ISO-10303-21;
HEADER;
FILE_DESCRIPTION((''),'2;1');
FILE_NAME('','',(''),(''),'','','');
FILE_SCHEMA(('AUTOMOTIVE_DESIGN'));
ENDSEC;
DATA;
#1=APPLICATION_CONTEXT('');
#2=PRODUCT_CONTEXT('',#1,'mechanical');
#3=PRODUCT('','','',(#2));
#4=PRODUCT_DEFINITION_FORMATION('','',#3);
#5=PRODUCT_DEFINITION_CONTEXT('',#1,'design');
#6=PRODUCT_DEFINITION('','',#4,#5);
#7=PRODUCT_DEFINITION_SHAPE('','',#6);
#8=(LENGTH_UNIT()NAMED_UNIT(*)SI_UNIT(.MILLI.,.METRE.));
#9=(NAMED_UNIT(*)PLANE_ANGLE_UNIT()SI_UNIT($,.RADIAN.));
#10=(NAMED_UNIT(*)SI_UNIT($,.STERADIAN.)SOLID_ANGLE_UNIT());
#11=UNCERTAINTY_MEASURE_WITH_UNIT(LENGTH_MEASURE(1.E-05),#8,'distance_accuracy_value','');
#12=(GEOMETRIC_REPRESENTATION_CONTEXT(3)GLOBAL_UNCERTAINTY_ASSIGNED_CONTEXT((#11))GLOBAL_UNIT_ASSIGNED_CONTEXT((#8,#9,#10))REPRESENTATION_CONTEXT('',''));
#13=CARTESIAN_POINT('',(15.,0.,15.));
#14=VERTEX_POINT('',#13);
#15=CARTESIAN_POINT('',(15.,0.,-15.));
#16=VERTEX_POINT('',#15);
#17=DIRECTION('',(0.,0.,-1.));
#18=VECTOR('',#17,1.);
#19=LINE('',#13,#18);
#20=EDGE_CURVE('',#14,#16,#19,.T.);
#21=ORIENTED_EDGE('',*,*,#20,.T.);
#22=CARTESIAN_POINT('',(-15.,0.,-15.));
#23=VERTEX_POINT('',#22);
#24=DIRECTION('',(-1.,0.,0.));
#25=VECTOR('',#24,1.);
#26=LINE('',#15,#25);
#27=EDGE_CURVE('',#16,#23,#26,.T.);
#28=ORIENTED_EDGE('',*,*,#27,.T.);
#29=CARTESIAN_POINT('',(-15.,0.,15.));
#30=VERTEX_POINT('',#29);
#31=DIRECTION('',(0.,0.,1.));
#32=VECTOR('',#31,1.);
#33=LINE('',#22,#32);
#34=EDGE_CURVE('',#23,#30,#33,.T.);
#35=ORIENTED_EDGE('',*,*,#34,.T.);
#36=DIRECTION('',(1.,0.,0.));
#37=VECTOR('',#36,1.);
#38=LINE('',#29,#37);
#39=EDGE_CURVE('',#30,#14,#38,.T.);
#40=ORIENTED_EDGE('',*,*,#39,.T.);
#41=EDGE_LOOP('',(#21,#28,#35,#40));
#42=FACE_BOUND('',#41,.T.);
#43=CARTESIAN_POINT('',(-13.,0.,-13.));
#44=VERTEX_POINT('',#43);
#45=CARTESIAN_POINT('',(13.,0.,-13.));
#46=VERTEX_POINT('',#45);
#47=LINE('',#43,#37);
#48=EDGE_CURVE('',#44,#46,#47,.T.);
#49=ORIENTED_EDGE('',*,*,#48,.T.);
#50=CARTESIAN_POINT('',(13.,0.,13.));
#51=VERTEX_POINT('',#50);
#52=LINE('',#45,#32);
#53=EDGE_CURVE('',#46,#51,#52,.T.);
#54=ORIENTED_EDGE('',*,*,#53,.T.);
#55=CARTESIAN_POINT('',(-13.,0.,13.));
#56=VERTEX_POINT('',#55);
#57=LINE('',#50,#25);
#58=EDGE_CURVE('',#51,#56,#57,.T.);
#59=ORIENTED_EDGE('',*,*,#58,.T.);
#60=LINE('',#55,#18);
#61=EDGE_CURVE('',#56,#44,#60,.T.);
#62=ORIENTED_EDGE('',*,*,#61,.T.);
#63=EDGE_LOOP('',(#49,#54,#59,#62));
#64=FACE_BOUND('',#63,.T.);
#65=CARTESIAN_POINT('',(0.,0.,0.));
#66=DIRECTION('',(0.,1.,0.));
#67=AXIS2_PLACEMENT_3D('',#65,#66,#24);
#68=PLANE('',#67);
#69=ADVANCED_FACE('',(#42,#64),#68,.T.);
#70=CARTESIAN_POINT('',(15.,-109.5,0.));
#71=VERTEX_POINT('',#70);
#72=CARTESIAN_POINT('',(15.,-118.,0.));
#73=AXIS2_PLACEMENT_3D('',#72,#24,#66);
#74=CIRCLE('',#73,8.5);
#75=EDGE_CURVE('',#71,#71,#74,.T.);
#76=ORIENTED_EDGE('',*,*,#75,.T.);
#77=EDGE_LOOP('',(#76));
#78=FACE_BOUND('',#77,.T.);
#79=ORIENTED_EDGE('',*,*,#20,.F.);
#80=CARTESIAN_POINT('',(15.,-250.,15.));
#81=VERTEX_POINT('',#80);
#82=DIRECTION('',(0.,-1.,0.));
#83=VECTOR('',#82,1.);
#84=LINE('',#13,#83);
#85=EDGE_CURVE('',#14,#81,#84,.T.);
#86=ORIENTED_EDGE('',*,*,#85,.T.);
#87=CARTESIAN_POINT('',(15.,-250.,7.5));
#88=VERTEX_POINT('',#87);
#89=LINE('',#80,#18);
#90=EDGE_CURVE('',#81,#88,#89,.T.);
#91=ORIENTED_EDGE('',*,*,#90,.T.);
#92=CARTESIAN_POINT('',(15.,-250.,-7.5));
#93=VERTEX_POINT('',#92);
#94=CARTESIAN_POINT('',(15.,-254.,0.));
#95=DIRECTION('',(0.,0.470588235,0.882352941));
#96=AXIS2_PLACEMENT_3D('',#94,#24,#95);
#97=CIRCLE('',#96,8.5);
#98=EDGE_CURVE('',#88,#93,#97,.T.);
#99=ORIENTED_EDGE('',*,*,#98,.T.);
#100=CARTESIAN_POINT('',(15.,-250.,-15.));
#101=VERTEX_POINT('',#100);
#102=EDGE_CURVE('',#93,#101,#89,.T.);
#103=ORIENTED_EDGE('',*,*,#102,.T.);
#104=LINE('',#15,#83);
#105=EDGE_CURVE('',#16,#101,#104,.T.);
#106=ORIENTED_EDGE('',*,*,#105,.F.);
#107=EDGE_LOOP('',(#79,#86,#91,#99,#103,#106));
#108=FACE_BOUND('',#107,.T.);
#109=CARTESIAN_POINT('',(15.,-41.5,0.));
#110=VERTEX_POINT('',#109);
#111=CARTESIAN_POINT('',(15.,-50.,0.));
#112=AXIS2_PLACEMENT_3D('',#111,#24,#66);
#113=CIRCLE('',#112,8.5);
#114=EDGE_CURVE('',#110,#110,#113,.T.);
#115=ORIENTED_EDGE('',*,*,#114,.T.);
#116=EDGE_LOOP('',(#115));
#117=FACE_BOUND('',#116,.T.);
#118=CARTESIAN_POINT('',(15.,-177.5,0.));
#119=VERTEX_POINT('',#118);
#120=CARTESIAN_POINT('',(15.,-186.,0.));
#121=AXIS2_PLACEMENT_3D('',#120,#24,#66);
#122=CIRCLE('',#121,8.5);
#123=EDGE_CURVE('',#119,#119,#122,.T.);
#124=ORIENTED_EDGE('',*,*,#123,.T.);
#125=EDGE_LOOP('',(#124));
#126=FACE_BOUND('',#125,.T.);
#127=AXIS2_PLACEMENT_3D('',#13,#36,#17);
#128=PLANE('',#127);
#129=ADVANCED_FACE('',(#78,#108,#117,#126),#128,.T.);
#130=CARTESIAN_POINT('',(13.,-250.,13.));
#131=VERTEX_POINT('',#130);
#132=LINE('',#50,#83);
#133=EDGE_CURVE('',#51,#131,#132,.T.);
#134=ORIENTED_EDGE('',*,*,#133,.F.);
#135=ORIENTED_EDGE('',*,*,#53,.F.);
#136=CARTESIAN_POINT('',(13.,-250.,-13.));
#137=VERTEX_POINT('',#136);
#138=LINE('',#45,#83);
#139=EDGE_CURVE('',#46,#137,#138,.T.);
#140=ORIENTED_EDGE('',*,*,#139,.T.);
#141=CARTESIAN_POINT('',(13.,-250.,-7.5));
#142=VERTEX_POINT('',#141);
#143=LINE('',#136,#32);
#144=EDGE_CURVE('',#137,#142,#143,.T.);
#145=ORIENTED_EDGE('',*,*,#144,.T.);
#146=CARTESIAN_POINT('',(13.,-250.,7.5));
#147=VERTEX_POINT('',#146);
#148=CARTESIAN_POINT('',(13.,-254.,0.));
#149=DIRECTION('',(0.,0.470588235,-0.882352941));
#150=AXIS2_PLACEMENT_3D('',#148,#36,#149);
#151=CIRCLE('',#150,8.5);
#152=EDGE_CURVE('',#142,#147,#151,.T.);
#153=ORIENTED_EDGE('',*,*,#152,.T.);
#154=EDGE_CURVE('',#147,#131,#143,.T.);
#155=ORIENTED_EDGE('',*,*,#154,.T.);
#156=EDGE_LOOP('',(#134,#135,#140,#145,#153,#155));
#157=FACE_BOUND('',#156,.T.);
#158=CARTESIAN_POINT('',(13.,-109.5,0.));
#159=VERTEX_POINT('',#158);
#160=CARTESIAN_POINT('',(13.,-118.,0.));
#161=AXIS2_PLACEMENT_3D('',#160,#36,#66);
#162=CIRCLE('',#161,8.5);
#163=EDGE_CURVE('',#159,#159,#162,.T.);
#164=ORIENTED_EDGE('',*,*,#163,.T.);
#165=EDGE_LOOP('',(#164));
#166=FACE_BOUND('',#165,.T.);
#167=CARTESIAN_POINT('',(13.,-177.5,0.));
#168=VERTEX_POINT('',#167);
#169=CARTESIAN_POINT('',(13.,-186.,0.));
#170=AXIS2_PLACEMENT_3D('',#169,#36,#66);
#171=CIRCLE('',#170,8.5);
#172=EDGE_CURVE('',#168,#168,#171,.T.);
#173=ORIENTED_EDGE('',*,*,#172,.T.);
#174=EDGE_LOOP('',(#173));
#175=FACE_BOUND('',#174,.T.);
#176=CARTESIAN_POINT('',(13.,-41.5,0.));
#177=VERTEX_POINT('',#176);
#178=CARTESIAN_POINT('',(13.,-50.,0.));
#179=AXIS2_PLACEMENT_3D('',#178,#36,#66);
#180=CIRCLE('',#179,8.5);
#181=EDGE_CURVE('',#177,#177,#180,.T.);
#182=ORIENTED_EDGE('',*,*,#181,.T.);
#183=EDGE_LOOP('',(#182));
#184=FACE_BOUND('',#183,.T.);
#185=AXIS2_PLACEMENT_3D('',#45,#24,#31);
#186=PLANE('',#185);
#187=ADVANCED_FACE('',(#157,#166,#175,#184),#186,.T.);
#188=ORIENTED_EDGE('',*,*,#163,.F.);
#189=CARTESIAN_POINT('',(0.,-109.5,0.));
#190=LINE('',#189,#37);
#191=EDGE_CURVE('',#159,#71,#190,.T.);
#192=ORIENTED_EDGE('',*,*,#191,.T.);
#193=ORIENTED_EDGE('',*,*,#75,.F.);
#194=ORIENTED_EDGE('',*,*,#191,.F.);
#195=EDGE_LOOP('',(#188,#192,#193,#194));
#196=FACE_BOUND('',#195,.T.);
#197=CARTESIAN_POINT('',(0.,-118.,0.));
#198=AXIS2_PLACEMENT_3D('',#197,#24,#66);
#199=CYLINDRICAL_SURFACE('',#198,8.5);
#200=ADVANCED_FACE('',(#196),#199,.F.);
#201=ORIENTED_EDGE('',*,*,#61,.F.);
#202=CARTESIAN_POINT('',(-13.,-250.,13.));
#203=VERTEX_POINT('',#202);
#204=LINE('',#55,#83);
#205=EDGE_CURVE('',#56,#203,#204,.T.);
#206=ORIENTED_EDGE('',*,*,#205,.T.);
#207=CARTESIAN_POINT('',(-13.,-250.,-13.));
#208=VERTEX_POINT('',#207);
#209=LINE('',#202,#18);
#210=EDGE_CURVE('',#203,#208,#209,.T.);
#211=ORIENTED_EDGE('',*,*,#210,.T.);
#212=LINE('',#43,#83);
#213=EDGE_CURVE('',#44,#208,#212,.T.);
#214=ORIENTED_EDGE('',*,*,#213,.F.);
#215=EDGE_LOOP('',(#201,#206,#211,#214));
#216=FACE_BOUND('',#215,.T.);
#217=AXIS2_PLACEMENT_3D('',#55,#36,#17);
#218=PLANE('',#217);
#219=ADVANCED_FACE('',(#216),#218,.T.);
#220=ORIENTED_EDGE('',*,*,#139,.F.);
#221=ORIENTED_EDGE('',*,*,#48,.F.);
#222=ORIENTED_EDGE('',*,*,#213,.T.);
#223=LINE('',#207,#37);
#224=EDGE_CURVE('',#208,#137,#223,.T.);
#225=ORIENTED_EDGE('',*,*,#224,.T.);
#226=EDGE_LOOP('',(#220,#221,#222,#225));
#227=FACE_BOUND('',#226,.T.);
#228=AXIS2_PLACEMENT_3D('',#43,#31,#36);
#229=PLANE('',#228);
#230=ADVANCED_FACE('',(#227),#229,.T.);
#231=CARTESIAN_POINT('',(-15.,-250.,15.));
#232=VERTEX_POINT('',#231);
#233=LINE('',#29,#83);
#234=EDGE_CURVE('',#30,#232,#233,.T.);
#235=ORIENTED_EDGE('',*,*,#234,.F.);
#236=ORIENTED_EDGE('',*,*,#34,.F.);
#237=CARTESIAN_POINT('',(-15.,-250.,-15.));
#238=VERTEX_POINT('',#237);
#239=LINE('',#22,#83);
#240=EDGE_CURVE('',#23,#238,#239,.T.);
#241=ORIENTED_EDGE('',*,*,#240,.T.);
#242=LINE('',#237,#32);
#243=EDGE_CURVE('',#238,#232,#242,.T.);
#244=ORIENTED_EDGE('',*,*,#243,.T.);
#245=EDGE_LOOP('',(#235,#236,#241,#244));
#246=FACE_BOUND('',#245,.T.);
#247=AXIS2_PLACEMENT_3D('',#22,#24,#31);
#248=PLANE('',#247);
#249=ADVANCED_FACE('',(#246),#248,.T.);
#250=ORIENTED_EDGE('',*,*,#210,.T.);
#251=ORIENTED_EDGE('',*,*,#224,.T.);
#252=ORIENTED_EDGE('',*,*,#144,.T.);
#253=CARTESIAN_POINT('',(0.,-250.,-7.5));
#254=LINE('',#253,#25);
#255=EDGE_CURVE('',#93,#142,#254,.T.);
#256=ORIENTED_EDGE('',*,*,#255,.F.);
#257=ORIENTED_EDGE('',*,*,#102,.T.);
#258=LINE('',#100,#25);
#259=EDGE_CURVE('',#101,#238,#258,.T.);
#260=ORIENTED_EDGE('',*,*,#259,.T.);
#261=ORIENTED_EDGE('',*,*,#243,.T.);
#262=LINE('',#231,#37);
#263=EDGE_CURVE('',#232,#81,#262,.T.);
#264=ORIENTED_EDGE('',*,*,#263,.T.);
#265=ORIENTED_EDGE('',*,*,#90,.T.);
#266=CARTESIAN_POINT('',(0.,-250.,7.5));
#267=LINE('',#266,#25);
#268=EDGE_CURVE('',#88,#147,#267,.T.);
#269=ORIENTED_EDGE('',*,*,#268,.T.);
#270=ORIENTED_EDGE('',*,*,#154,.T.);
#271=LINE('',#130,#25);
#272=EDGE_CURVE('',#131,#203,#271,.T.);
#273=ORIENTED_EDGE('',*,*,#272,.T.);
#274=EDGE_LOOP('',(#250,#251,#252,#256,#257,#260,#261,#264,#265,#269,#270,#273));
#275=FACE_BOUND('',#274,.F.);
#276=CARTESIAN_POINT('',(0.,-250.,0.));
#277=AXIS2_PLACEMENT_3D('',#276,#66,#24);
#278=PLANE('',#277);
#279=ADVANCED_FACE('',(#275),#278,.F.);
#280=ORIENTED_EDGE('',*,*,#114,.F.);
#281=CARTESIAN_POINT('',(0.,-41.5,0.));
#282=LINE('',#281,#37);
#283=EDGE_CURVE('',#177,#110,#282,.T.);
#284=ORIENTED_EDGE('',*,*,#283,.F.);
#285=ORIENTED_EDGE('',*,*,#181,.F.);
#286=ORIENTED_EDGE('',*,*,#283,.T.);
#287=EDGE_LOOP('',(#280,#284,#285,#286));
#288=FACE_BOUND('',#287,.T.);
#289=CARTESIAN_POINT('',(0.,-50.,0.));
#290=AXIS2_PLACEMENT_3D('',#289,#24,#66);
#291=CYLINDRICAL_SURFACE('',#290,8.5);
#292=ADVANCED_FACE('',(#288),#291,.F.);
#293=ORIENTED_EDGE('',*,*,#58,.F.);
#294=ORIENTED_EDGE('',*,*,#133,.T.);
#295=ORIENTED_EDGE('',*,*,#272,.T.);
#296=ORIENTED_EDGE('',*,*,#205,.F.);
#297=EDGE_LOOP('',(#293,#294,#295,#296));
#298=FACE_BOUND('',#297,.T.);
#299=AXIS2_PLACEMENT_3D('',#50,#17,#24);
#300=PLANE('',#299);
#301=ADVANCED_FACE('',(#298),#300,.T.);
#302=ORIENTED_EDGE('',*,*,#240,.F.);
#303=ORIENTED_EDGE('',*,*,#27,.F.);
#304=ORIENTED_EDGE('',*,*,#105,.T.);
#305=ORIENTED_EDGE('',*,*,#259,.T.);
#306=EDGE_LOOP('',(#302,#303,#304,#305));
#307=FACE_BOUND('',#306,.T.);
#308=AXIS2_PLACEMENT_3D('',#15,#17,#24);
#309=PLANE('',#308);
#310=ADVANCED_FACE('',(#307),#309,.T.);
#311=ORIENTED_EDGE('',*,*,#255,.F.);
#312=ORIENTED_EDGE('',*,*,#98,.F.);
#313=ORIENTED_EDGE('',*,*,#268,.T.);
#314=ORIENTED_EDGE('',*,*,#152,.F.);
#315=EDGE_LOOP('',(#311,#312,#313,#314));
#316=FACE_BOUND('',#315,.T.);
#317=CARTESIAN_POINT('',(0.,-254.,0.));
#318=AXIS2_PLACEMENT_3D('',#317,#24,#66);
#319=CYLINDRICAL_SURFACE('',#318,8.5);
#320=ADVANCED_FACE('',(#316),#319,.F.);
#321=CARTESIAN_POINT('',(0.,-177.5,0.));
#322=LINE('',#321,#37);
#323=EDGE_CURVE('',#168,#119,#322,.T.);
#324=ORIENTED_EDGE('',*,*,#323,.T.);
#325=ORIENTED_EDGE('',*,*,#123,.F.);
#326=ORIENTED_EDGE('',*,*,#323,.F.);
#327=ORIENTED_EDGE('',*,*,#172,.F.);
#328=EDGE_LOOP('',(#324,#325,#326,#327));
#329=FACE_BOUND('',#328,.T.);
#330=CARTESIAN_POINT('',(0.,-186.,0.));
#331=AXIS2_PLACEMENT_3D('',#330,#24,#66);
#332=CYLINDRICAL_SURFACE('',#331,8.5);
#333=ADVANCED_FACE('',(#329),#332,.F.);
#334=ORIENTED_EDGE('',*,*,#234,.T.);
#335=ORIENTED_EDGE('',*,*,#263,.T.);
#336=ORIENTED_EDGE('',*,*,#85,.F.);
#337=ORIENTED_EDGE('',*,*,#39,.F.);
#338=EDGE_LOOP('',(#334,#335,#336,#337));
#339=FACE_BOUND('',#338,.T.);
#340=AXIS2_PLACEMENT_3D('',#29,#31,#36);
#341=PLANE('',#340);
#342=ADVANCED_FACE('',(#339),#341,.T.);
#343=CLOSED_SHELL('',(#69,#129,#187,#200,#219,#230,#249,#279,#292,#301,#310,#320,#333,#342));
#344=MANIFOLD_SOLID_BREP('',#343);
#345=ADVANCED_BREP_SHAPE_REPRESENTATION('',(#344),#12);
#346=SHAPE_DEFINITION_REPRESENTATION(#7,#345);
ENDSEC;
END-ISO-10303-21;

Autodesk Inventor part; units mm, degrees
ref_plane "YZ Plane" through (0, 0, 0) normal (1, 0, 0) x (0, 1, 0)
ref_plane "XZ Plane" through (0, 0, 0) normal (0, 1, 0) x (-1, 0, 0)
ref_plane "XY Plane" through (0, 0, 0) normal (0, 0, 1) x (1, 0, 0)
sketch "Sketch9" plane through (0, 0, 0) normal (0, 1, 0) x (-1, 0, 0)
  line L0 (15, 15) -> (-15, 15)
  line L1 (-15, 15) -> (-15, -15)
  line L2 (-15, -15) -> (15, -15)
  line L3 (15, -15) -> (15, 15)
  line L4 (15, 15) -> (-15, -15) construction
  line L5 (-15, 15) -> (15, -15) construction
  line L6 (-13, 13) -> (13, 13)
  line L7 (13, 13) -> (13, -13)
  line L8 (13, -13) -> (-13, -13)
  line L9 (-13, -13) -> (-13, 13)
  point P0 (0, 0)
  dimension "d172" = 30
  dimension "d173" = 30
  dimension "d174" = 2
extrude "Extrusion3" add sketch "Sketch9" against normal blind 250
sketch "Sketch10" plane through (0, 0, 0) normal (1, 0, 0) x (0, 1, 0)
  line L0 (0, 15) -> (0, -15) construction
  line L1 (0, 15) -> (-250, 15) construction
  line L2 (0, -15) -> (-250, -15) construction
  line L3 (-58.5, 8.5) -> (-41.5, 8.5)
  line L4 (-41.5, 8.5) -> (-41.5, -8.5)
  line L5 (-41.5, -8.5) -> (-58.5, -8.5)
  line L6 (-58.5, -8.5) -> (-58.5, 8.5)
  line L7 (-58.5, 8.5) -> (-41.5, -8.5) construction
  line L8 (-41.5, 8.5) -> (-58.5, -8.5) construction
  line L9 (0, 0) -> (30, 0)
  circle A0 centre (-50, 0) radius 8.5
  dimension "d177" = 17
  dimension "d178" = 17
  dimension "d181" = 30
  dimension "d182" = 80
extrude "Extrusion4" cut sketch "Sketch10" along normal through all contours A0
pattern_linear "Rectangular Pattern4" count 4 spacing 68 along (0, -1, 0) of "Extrusion4"
properties part number "PRS 1662 FDS 1000 way tube 4_D940" material "Stainless Steel"
